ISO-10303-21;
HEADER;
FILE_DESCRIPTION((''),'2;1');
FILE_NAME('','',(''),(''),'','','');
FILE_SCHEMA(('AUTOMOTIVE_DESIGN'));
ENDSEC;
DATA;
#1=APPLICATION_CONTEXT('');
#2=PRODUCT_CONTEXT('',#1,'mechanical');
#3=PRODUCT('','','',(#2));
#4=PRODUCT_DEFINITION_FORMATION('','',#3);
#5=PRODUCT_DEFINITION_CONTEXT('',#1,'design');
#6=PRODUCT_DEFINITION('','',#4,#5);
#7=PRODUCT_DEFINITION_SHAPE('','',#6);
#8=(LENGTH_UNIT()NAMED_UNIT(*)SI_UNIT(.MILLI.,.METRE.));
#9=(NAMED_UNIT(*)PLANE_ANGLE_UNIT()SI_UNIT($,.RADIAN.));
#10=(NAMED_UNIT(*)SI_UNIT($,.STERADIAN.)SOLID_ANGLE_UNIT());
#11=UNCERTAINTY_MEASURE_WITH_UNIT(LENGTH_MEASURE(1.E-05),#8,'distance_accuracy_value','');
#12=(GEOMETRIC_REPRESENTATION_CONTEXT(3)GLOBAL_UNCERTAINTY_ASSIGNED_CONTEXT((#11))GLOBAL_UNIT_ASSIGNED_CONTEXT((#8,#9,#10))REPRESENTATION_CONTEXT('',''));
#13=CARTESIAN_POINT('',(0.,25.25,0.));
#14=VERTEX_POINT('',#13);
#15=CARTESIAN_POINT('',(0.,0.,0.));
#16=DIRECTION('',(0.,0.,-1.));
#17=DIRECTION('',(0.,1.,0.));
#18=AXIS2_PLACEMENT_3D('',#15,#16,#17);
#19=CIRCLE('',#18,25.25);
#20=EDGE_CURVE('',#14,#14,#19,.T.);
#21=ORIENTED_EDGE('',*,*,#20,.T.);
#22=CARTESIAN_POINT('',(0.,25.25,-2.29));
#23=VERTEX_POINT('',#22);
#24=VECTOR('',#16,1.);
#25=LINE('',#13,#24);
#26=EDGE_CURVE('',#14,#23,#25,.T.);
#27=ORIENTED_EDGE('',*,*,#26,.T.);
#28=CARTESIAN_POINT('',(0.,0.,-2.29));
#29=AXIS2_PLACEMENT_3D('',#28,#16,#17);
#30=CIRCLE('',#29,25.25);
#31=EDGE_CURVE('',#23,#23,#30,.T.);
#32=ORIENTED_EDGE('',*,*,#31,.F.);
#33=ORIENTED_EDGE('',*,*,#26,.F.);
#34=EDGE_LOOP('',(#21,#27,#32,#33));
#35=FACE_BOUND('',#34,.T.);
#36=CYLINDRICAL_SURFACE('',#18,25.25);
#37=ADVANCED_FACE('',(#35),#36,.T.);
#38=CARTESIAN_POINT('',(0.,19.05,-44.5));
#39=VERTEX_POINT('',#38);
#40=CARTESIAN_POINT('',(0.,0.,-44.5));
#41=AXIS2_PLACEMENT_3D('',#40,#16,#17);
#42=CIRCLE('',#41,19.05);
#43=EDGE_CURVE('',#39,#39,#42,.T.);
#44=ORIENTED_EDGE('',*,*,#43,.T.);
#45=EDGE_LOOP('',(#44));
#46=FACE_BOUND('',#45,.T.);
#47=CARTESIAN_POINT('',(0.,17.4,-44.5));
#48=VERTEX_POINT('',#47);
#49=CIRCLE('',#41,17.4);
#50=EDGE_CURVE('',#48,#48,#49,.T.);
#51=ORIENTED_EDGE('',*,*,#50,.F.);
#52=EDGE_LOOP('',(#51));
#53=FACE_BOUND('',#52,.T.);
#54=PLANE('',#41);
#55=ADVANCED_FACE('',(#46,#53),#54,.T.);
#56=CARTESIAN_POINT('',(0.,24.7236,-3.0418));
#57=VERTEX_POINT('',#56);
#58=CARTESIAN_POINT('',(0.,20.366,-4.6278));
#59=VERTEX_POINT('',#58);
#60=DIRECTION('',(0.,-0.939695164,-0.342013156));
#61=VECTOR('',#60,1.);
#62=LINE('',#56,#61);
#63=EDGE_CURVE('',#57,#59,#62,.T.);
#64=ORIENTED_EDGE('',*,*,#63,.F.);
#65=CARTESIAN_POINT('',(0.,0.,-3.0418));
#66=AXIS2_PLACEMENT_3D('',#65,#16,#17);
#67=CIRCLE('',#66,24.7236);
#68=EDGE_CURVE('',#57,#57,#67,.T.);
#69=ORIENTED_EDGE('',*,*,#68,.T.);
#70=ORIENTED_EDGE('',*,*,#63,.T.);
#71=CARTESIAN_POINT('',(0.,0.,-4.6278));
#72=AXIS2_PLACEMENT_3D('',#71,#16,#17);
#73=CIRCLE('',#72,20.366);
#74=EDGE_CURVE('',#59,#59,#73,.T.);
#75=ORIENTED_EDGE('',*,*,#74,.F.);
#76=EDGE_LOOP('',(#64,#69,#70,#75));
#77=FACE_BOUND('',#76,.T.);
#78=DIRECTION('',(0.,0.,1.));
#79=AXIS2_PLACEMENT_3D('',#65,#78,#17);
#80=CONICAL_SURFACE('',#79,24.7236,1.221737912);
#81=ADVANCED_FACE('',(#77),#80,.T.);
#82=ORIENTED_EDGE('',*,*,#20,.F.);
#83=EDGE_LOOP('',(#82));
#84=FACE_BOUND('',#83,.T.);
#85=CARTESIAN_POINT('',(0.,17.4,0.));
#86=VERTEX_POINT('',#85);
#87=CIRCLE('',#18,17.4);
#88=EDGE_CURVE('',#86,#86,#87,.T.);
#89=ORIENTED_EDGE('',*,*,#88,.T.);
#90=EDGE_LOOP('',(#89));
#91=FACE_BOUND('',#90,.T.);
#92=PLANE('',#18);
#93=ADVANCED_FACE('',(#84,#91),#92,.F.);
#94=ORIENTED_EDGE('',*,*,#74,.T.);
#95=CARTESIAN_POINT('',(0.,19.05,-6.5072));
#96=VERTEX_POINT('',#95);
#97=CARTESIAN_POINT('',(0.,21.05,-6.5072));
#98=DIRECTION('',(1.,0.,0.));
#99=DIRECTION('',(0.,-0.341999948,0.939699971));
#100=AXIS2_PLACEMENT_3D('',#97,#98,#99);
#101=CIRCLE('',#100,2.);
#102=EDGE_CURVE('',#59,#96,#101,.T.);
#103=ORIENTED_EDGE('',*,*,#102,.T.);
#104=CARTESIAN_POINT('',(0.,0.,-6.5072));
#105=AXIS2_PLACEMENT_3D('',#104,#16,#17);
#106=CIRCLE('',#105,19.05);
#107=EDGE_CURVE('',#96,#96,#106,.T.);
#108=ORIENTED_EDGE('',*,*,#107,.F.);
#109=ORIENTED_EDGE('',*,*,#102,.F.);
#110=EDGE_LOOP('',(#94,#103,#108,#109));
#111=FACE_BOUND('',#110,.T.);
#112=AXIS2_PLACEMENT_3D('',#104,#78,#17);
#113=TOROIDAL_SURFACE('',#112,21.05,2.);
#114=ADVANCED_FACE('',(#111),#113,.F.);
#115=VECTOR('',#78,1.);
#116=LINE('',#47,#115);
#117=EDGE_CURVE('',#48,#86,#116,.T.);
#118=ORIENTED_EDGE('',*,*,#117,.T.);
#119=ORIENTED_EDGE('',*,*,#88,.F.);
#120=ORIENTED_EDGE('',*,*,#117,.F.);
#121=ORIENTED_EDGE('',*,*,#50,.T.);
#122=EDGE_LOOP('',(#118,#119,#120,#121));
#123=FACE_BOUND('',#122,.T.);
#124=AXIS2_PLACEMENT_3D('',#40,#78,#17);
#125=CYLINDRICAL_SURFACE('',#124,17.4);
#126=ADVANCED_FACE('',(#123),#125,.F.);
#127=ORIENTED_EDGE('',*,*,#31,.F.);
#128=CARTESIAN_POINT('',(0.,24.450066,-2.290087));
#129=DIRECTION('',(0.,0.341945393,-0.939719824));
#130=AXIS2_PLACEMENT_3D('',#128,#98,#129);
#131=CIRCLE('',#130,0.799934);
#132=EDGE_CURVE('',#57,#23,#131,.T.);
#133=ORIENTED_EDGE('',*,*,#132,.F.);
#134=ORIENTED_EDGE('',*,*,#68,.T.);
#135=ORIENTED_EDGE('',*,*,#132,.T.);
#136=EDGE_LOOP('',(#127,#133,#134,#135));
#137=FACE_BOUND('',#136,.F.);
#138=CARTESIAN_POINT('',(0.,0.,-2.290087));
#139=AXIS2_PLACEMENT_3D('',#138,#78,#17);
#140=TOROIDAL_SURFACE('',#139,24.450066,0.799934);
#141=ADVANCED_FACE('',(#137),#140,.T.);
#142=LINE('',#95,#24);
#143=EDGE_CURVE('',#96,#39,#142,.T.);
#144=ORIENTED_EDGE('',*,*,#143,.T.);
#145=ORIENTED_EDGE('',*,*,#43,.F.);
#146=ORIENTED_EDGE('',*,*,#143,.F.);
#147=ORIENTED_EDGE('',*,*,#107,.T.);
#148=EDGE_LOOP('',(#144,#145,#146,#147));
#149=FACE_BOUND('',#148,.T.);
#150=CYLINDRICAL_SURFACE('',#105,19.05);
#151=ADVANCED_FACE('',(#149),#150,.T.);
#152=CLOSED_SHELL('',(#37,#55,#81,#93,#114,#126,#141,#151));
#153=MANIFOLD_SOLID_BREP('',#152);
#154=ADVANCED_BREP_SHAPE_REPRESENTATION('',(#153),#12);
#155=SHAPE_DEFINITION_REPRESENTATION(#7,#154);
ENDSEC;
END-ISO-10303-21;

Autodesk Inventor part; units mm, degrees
ref_plane "YZ Plane" through (0, 0, 0) normal (1, 0, 0) x (0, 1, 0)
ref_plane "XZ Plane" through (0, 0, 0) normal (0, 1, 0) x (-1, 0, 0)
ref_plane "XY Plane" through (0, 0, 0) normal (0, 0, 1) x (1, 0, 0)
sketch "Sketch2" plane through (0, 0, 0) normal (1, 0, 0) x (0, 1, 0)
  line L0 (0, 0) -> (0, -44.5)
  line L1 (17.4, -44.5) -> (17.4, 0)
  line L2 (17.4, 0) -> (25.25, 0)
  line L3 (25.25, 0) -> (25.25, -2.29)
  line L4 (24.7236, -3.0418) -> (20.366, -4.6278)
  line L5 (19.05, -6.5072) -> (19.05, -44.5)
  line L6 (19.05, -44.5) -> (17.4, -44.5)
  arc A0 (24.7236, -3.0418) -> (25.25, -2.29) centre (24.45, -2.29) ccw
  arc A1 (20.366, -4.6278) -> (19.05, -6.5072) centre (21.05, -6.5072) ccw
  dimension "OD" = 38.1
  dimension "THW" = 1.65
  dimension "L" = 44.5
  dimension "d3" = 50.5
  dimension "d4" = 0.8
  dimension "d5" = 2.29
  dimension "d6" = 2
  dimension "d7" = 20
revolve "Revolution1" add sketch "Sketch2" angle 360 about axis through (0, 0, 0) along (0, 0, -1)
properties part number "ASME BPE - HOSE FERRULE-38.1" material "Stainless Steel, 316L"
